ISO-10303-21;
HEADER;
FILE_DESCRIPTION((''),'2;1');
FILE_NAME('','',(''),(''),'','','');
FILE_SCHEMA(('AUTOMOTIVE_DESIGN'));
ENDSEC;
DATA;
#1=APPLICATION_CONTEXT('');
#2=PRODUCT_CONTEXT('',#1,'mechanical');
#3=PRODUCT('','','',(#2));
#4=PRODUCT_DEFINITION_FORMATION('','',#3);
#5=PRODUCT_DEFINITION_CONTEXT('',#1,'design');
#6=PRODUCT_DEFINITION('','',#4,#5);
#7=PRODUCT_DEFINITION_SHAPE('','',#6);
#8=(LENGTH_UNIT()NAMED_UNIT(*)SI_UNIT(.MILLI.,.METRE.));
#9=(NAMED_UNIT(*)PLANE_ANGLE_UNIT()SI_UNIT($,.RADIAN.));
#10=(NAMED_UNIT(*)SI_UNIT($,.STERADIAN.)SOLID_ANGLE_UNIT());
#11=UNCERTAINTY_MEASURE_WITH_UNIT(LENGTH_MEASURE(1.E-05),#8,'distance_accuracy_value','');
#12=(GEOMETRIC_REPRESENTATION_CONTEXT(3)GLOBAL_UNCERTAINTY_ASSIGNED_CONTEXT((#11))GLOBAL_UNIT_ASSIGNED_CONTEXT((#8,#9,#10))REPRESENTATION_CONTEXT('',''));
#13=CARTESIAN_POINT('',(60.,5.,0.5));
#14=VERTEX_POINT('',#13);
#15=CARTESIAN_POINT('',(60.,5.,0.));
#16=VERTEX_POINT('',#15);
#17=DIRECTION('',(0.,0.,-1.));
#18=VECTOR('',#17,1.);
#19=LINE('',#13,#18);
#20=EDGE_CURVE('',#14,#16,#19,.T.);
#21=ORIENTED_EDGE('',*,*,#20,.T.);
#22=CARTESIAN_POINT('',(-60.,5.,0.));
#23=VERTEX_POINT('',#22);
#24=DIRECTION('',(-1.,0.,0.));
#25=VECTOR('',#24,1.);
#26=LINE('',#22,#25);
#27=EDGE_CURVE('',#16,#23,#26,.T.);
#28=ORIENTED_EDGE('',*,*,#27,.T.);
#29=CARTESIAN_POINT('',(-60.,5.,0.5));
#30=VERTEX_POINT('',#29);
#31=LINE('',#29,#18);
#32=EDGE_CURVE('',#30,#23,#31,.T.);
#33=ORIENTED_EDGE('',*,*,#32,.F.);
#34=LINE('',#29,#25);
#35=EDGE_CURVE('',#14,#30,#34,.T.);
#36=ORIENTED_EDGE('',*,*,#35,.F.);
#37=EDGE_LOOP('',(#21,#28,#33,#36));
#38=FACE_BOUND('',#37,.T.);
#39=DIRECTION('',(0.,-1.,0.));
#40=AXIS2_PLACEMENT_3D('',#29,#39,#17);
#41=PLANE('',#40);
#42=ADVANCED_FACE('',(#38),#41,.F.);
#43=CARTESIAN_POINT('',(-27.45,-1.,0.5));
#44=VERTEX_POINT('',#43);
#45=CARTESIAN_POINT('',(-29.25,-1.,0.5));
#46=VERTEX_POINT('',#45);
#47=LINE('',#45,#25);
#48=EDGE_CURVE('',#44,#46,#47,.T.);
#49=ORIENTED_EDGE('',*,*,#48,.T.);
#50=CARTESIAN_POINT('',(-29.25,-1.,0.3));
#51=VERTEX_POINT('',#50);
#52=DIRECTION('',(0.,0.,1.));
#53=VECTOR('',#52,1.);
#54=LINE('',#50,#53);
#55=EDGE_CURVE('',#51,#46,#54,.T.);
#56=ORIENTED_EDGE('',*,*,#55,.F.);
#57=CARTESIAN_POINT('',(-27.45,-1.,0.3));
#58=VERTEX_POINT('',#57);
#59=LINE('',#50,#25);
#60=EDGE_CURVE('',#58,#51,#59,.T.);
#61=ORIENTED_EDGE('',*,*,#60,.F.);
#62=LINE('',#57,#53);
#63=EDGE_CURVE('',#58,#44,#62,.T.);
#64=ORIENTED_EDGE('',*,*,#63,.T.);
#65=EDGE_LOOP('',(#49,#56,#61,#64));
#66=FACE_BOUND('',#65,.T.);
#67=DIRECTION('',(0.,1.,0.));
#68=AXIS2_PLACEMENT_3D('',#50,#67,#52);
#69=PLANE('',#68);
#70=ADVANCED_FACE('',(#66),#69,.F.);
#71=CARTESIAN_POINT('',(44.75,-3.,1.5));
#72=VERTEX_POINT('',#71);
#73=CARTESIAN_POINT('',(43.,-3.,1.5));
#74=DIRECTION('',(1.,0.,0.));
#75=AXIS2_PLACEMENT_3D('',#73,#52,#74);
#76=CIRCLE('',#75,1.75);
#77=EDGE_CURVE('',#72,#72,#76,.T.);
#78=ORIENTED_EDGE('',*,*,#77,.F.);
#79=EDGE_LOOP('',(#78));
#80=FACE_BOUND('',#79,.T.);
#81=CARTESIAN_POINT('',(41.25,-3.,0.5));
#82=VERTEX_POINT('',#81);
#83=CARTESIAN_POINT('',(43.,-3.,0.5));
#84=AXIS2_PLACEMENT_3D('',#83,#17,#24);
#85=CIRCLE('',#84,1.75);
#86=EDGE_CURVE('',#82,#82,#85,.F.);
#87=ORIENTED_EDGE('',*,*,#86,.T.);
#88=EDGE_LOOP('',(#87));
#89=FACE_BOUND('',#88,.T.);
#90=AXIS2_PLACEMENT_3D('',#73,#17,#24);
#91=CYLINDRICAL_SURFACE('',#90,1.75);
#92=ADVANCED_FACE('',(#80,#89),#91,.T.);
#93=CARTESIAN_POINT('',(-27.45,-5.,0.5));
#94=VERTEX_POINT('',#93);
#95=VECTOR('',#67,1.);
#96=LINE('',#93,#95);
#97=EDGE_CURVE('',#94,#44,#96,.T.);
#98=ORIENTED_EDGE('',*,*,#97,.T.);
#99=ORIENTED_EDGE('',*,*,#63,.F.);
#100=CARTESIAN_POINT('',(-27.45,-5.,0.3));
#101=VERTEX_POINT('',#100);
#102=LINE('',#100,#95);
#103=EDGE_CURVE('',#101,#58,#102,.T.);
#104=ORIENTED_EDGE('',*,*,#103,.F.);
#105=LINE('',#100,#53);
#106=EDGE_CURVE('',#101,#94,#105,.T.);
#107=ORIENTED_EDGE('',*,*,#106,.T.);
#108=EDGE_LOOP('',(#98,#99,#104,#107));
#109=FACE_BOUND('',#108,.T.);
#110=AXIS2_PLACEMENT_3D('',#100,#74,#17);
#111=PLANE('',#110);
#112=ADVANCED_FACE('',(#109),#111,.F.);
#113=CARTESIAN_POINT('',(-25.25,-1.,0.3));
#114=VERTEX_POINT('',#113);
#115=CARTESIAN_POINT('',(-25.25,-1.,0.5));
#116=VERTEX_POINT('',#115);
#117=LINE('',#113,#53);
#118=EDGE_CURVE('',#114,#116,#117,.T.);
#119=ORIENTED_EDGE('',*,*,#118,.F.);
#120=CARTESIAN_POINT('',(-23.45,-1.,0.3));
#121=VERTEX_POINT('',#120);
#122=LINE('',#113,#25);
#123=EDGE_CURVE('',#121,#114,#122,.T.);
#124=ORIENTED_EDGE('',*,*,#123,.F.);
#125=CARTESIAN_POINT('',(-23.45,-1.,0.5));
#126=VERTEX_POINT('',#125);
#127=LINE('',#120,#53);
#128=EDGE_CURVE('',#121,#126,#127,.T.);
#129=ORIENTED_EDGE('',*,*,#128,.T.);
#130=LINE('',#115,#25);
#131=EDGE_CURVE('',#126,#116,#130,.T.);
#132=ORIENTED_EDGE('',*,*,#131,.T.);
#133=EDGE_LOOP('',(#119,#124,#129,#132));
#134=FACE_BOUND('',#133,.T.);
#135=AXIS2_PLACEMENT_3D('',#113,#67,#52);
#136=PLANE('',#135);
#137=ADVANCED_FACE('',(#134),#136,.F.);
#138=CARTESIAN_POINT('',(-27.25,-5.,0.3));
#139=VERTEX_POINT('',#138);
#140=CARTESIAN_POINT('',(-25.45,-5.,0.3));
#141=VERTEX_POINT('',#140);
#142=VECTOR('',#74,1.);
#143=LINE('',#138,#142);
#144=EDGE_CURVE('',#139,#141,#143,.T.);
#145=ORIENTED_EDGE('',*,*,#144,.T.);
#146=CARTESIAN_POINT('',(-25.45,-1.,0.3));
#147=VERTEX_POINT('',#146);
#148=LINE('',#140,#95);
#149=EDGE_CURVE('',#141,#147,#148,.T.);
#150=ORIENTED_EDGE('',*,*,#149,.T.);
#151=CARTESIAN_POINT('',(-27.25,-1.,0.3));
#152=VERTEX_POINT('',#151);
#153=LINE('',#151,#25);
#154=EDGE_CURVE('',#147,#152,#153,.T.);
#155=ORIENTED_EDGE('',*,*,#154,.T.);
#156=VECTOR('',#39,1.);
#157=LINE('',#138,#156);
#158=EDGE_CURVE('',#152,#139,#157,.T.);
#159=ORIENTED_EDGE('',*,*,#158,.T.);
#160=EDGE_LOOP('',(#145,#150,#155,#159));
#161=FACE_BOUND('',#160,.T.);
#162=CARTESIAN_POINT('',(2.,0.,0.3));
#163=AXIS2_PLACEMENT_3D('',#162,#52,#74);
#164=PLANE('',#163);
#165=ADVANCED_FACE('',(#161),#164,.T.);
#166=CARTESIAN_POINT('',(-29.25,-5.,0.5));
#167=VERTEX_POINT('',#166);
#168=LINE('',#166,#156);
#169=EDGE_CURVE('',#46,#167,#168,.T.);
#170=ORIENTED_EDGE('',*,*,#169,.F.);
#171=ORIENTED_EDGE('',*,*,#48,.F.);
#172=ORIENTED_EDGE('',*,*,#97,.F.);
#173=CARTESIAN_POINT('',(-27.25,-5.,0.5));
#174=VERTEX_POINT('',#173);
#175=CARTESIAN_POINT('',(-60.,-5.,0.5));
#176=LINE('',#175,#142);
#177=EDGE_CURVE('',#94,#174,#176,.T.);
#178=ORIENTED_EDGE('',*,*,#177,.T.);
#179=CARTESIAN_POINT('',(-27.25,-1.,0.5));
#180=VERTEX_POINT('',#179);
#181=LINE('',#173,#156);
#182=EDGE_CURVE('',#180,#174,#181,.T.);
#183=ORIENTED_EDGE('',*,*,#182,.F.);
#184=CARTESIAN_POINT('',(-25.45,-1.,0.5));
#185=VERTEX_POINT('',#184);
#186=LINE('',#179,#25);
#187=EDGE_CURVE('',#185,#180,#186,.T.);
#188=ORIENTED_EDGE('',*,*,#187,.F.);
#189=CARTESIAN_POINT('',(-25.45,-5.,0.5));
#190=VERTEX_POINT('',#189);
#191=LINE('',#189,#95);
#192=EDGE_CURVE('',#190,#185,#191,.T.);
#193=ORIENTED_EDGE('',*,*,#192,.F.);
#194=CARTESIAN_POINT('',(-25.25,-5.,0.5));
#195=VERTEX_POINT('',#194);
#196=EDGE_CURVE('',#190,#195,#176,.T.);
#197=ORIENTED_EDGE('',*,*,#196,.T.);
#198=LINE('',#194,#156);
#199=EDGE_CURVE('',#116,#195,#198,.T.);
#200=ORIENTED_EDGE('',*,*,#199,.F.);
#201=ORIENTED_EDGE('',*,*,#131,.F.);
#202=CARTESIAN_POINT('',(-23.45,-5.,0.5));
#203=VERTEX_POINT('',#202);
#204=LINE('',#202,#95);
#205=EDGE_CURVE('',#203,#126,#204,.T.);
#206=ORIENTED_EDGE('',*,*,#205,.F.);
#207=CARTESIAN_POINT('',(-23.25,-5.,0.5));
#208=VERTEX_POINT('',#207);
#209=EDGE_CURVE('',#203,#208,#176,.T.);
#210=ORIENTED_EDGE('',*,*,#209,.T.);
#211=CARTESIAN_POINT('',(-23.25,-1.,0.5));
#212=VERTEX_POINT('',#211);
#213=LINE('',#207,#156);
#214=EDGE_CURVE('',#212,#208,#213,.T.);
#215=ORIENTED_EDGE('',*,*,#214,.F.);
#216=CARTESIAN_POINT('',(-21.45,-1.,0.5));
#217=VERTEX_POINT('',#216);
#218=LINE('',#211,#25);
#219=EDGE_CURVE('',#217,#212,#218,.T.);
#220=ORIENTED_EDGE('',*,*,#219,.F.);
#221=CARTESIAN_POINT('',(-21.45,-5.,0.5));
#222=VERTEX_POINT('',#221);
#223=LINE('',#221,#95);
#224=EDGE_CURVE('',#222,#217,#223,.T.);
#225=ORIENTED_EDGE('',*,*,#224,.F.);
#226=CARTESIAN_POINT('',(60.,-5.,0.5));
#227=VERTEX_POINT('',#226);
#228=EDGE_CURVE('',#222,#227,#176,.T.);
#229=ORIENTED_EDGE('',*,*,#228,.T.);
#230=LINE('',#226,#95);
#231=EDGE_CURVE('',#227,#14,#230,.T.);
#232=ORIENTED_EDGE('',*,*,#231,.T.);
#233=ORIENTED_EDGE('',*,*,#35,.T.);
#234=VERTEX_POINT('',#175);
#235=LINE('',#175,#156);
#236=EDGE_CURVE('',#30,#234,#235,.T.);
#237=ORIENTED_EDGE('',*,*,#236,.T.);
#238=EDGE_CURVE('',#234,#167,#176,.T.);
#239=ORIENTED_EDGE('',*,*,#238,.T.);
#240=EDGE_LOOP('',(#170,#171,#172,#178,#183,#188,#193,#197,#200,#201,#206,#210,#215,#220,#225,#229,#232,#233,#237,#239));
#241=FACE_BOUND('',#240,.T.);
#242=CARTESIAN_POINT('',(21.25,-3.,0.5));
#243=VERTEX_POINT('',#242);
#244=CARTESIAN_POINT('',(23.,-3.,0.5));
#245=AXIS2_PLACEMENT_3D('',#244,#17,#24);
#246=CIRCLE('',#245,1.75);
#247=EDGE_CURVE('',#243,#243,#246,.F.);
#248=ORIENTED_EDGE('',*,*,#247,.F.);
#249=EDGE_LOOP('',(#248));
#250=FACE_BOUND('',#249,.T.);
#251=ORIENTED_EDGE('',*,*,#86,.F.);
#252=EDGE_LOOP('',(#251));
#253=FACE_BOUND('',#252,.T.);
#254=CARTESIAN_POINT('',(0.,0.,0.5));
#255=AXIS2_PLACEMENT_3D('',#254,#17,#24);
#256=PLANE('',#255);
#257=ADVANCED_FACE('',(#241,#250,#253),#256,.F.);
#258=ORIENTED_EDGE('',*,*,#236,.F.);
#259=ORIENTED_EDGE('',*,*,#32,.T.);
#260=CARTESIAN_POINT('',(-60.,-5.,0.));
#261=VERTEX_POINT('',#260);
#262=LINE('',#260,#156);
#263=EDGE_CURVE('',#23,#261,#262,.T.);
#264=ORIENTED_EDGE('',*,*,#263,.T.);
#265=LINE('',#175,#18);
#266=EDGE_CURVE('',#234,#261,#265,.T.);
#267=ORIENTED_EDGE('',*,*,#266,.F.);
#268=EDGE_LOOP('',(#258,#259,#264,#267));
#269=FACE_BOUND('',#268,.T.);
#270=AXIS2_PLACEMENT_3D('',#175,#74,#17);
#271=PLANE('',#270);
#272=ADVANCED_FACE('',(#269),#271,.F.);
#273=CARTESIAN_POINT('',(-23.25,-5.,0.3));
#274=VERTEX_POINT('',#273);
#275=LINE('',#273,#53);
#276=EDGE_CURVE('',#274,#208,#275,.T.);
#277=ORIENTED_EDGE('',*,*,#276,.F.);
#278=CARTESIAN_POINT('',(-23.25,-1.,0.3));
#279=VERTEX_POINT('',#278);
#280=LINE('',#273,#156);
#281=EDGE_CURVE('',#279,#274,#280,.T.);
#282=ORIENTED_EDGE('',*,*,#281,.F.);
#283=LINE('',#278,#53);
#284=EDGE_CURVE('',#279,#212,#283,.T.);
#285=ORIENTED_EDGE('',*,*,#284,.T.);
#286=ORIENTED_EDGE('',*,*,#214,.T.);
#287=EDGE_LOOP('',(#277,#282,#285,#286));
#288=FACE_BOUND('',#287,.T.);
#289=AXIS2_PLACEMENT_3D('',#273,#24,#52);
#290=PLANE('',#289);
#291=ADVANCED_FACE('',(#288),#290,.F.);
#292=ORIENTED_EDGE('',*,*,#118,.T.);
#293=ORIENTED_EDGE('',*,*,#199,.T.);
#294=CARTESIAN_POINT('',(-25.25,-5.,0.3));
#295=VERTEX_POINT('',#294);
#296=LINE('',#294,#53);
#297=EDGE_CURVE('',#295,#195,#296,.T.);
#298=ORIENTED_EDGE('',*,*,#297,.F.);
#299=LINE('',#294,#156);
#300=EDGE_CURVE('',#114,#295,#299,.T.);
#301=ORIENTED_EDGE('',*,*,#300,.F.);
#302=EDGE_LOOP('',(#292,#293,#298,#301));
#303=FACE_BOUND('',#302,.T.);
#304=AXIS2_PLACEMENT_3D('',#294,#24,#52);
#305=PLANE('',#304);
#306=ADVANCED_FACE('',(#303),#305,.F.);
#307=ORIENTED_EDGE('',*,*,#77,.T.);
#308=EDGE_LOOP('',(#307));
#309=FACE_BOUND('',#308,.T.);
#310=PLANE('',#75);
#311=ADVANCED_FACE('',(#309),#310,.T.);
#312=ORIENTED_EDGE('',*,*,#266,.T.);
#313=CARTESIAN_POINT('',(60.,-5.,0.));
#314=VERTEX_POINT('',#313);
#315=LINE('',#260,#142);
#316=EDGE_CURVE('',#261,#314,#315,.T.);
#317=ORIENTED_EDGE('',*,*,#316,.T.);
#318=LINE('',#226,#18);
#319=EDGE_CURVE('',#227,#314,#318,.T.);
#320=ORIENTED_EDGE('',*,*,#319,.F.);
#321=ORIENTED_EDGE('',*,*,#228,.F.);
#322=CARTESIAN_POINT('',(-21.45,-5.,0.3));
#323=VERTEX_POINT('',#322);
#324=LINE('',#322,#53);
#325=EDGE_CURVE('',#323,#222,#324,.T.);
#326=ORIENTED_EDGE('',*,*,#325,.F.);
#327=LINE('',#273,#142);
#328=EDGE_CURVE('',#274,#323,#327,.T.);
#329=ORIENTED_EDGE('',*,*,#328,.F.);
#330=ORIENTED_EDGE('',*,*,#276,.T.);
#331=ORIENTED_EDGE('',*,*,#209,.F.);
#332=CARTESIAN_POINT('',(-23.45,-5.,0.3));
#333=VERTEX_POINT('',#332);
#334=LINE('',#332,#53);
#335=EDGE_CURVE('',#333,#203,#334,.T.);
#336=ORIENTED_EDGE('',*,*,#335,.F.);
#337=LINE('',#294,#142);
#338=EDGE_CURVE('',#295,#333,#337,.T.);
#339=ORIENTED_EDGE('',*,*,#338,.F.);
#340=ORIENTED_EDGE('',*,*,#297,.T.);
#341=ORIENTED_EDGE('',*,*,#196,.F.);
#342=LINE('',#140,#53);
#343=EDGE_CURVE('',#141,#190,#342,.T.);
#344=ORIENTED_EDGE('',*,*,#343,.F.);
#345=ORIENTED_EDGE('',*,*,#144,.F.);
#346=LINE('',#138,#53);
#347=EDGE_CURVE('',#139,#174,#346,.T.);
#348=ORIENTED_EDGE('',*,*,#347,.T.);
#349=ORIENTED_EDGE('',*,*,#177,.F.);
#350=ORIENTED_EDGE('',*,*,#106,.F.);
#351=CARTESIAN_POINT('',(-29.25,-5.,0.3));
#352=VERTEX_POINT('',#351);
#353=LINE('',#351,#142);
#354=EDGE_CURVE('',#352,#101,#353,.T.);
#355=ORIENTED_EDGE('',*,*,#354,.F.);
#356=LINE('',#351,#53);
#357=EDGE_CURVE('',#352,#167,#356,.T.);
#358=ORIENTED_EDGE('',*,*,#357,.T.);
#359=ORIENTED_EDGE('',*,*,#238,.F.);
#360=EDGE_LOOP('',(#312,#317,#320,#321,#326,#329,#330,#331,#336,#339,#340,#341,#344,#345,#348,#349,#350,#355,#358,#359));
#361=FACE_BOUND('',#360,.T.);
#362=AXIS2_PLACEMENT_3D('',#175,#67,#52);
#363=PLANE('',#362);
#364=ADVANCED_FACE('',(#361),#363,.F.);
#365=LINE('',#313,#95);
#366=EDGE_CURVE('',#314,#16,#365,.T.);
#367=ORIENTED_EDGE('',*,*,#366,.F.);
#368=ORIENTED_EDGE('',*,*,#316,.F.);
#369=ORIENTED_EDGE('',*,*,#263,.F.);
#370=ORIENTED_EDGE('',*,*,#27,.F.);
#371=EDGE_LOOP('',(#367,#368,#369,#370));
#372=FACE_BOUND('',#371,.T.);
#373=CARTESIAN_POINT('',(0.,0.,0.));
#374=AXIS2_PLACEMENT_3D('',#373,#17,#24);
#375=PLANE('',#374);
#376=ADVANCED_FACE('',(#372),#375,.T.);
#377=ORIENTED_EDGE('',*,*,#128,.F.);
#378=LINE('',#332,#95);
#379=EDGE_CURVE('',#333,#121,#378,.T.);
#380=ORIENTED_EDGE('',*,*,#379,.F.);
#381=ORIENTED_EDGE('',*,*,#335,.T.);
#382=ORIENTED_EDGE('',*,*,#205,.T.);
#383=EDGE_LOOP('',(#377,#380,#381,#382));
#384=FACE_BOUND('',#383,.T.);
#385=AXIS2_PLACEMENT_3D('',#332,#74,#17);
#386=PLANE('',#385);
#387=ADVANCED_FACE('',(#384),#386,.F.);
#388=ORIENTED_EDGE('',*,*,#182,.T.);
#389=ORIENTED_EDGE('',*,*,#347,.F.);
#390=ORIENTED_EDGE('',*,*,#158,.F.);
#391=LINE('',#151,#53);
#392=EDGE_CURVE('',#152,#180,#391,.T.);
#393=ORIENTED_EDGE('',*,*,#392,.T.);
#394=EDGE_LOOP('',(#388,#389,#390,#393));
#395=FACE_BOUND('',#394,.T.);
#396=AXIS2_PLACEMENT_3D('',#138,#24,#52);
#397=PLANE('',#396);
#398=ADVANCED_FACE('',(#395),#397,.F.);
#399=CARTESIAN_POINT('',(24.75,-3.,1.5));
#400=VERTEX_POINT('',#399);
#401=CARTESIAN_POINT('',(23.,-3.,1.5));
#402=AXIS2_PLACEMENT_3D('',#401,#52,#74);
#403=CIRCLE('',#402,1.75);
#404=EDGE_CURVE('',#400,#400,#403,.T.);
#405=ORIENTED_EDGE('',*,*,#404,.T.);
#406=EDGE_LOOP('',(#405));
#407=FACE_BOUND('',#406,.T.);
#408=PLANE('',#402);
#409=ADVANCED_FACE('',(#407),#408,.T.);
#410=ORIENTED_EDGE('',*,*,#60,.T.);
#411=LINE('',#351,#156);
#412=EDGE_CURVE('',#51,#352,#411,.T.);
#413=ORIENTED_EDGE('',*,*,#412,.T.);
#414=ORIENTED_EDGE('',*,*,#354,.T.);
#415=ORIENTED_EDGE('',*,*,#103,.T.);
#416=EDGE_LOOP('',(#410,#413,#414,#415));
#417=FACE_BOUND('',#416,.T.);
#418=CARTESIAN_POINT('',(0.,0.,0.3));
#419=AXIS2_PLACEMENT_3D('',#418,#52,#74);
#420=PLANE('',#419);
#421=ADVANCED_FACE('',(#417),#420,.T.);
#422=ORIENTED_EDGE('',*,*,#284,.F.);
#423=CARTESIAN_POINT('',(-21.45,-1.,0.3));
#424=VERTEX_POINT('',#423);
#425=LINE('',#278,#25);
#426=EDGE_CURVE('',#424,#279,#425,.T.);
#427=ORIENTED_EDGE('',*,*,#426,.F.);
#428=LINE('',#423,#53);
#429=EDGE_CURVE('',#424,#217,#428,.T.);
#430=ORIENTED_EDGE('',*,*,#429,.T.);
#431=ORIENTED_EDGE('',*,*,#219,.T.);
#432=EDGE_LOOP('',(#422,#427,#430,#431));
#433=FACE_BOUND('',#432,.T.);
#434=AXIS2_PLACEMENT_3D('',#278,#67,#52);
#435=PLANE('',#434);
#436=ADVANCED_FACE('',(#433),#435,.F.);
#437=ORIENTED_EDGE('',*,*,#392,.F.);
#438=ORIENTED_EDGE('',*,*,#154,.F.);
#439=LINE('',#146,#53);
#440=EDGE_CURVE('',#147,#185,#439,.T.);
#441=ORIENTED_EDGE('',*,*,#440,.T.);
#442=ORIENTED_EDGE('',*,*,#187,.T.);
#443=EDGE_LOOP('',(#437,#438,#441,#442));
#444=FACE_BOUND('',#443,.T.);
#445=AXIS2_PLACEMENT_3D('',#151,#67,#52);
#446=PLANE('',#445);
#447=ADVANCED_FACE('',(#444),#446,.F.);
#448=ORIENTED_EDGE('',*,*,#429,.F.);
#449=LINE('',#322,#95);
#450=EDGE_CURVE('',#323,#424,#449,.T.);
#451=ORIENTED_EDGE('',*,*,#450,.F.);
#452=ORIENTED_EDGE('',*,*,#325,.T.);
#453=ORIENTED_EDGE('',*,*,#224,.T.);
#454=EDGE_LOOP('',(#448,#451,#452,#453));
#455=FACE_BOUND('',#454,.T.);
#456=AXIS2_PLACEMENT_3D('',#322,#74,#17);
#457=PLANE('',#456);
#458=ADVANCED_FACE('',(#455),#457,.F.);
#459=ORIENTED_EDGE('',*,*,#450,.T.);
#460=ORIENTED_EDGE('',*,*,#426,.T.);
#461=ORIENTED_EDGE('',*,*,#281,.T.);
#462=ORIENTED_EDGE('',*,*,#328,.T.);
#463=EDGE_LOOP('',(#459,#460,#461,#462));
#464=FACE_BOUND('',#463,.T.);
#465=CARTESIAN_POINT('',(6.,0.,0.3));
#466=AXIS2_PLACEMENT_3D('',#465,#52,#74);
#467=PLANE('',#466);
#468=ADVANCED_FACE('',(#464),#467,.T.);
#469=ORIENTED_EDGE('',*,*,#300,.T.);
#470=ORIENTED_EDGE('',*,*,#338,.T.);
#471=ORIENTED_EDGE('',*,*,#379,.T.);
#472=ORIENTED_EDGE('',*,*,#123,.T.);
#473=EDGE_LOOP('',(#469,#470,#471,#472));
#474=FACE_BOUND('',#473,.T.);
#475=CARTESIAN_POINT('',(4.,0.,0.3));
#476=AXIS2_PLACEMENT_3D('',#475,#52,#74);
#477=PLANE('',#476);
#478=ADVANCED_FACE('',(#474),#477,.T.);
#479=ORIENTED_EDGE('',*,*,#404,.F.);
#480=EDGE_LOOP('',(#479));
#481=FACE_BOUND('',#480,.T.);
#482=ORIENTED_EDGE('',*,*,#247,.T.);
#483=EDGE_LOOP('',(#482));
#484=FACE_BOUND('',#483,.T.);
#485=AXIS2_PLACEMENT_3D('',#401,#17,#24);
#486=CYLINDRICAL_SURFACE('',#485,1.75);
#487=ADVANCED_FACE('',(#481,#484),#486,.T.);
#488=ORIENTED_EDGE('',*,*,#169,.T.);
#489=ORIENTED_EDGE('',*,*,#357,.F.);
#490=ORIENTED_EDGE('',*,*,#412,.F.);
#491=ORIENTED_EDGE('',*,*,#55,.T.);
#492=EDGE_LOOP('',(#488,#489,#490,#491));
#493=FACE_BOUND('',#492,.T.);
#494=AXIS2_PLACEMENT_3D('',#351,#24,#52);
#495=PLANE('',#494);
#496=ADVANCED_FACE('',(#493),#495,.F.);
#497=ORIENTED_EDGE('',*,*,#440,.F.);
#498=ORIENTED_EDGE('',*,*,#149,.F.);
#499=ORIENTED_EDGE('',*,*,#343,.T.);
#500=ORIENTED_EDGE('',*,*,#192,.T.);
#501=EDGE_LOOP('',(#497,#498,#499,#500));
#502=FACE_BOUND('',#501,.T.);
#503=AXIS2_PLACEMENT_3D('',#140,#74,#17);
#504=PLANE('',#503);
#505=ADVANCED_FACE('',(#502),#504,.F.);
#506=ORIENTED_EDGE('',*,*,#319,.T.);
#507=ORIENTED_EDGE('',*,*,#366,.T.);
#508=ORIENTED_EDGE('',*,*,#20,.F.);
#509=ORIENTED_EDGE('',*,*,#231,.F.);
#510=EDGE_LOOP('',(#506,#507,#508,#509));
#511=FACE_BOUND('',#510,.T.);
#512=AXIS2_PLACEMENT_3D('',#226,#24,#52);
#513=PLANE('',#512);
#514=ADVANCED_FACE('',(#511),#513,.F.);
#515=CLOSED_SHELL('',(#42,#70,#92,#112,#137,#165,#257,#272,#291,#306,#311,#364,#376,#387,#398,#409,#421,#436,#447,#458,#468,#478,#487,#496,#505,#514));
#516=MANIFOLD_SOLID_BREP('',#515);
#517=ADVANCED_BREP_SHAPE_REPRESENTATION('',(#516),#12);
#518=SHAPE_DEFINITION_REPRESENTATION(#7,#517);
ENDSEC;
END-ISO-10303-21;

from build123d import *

# Parameters (mm, degrees)
SKETCH1_W           = 120
SKETCH1_H           = 10
BOSS_EXTRUDE1_DEPTH = 0.5
JACKS_R             = 1.75
BOSS_EXTRUDE2_DEPTH = 1
USB_PORT_W          = 1.8
USB_PORT_H          = 4
CUT_EXTRUDE2_DEPTH  = 0.2
LPATTERN1_COUNT     = 4
LPATTERN1_PITCH     = 2


with BuildPart() as part:
    # Sketch1 → Boss-Extrude1 (new body)
    with BuildSketch(Plane.XY):
        Rectangle(SKETCH1_W, SKETCH1_H)
    extrude(amount=BOSS_EXTRUDE1_DEPTH)

    # Jacks → Boss-Extrude2 (add)
    with BuildSketch(Plane.XY.offset(0.5)):
        with Locations(Location((23, -3, 0), (0, 0, 180))):
            Circle(JACKS_R)
        with Locations(Location((43, -3, 0), (0, 0, 180))):
            Circle(JACKS_R)
    extrude(amount=BOSS_EXTRUDE2_DEPTH)

    # usb port → Cut-Extrude2 (cut)
    with BuildSketch(Plane.XY.offset(0.5)):
        with Locations((-28.35, -3)):
            Rectangle(USB_PORT_W, USB_PORT_H)
    cut_extrude2 = extrude(amount=-CUT_EXTRUDE2_DEPTH, mode=Mode.SUBTRACT)

    # LPattern1: Cut-Extrude2 ×4
    with Locations(*[(i * LPATTERN1_PITCH, 0, 0) for i in range(1, LPATTERN1_COUNT)]):
        add(cut_extrude2, mode=Mode.SUBTRACT)


solid = part.part
